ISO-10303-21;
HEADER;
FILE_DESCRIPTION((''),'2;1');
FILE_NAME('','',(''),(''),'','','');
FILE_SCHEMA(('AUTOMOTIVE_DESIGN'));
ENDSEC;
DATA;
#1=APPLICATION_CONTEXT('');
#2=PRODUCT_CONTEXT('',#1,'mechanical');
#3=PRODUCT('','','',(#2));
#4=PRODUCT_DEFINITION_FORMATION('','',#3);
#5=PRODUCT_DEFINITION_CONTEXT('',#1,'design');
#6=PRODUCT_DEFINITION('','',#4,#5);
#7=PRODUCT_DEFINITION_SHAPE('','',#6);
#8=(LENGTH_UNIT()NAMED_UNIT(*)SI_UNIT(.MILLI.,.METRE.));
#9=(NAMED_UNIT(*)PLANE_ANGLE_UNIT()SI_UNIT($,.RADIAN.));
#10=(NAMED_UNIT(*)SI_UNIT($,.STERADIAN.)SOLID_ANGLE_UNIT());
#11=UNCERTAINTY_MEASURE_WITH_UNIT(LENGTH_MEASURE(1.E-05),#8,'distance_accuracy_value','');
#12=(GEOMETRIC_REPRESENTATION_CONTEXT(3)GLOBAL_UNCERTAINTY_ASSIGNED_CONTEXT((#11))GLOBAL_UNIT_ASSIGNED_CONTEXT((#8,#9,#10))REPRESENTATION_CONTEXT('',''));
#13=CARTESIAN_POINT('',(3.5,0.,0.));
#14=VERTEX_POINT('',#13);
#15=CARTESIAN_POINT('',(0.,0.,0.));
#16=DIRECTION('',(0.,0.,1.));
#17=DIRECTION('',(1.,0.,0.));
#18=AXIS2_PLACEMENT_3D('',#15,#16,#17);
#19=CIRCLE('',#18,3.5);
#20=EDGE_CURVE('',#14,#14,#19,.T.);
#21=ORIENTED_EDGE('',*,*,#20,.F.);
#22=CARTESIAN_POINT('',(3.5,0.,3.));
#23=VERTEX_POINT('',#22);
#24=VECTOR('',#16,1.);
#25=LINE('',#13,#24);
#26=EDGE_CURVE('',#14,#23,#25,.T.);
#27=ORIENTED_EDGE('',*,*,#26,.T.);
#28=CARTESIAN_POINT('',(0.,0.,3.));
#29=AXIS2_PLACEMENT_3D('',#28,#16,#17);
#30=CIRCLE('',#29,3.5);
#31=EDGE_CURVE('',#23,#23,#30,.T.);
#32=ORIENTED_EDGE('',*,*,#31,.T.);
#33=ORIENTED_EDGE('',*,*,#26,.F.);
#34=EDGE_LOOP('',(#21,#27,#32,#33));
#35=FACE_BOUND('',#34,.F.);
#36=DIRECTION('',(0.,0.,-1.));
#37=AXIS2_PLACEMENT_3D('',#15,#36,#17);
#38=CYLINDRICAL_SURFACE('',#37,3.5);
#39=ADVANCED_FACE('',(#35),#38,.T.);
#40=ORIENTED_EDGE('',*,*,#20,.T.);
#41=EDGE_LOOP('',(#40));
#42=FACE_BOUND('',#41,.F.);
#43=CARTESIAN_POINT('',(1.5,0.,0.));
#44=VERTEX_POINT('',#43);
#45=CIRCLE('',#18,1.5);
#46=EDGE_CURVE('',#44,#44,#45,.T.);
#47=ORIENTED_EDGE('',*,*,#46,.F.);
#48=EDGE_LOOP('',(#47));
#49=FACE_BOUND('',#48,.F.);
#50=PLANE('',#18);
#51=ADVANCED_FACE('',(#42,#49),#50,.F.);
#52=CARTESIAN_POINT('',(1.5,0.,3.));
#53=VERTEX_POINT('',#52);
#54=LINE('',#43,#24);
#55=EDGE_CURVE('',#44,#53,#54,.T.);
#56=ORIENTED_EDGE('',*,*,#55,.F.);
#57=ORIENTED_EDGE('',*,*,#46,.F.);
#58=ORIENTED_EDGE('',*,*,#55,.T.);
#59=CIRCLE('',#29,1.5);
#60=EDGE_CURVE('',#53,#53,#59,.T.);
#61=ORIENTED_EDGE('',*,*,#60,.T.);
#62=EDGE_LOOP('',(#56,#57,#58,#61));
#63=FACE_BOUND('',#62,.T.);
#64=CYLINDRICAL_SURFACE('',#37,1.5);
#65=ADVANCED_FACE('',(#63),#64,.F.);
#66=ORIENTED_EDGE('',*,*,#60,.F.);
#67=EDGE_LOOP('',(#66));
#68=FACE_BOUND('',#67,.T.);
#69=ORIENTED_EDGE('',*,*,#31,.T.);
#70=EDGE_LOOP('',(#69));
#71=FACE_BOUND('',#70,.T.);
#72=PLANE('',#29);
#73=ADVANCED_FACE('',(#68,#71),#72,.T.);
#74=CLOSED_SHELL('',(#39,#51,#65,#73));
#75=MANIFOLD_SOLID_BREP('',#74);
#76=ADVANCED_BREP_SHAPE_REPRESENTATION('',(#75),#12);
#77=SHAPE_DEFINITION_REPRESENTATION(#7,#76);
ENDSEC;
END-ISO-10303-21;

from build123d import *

# Parameters (mm, degrees)
SKETCH_1_R      = 3.5
SKETCH_1_R_2    = 1.5
EXTRUDE_1_DEPTH = 3


with BuildPart() as part:
    # 草图1 → 凸台-拉伸1 (new body)
    with BuildSketch(Plane.XY):
        Circle(SKETCH_1_R)
        Circle(SKETCH_1_R_2, mode=Mode.SUBTRACT)
    extrude(amount=EXTRUDE_1_DEPTH)


solid = part.part
